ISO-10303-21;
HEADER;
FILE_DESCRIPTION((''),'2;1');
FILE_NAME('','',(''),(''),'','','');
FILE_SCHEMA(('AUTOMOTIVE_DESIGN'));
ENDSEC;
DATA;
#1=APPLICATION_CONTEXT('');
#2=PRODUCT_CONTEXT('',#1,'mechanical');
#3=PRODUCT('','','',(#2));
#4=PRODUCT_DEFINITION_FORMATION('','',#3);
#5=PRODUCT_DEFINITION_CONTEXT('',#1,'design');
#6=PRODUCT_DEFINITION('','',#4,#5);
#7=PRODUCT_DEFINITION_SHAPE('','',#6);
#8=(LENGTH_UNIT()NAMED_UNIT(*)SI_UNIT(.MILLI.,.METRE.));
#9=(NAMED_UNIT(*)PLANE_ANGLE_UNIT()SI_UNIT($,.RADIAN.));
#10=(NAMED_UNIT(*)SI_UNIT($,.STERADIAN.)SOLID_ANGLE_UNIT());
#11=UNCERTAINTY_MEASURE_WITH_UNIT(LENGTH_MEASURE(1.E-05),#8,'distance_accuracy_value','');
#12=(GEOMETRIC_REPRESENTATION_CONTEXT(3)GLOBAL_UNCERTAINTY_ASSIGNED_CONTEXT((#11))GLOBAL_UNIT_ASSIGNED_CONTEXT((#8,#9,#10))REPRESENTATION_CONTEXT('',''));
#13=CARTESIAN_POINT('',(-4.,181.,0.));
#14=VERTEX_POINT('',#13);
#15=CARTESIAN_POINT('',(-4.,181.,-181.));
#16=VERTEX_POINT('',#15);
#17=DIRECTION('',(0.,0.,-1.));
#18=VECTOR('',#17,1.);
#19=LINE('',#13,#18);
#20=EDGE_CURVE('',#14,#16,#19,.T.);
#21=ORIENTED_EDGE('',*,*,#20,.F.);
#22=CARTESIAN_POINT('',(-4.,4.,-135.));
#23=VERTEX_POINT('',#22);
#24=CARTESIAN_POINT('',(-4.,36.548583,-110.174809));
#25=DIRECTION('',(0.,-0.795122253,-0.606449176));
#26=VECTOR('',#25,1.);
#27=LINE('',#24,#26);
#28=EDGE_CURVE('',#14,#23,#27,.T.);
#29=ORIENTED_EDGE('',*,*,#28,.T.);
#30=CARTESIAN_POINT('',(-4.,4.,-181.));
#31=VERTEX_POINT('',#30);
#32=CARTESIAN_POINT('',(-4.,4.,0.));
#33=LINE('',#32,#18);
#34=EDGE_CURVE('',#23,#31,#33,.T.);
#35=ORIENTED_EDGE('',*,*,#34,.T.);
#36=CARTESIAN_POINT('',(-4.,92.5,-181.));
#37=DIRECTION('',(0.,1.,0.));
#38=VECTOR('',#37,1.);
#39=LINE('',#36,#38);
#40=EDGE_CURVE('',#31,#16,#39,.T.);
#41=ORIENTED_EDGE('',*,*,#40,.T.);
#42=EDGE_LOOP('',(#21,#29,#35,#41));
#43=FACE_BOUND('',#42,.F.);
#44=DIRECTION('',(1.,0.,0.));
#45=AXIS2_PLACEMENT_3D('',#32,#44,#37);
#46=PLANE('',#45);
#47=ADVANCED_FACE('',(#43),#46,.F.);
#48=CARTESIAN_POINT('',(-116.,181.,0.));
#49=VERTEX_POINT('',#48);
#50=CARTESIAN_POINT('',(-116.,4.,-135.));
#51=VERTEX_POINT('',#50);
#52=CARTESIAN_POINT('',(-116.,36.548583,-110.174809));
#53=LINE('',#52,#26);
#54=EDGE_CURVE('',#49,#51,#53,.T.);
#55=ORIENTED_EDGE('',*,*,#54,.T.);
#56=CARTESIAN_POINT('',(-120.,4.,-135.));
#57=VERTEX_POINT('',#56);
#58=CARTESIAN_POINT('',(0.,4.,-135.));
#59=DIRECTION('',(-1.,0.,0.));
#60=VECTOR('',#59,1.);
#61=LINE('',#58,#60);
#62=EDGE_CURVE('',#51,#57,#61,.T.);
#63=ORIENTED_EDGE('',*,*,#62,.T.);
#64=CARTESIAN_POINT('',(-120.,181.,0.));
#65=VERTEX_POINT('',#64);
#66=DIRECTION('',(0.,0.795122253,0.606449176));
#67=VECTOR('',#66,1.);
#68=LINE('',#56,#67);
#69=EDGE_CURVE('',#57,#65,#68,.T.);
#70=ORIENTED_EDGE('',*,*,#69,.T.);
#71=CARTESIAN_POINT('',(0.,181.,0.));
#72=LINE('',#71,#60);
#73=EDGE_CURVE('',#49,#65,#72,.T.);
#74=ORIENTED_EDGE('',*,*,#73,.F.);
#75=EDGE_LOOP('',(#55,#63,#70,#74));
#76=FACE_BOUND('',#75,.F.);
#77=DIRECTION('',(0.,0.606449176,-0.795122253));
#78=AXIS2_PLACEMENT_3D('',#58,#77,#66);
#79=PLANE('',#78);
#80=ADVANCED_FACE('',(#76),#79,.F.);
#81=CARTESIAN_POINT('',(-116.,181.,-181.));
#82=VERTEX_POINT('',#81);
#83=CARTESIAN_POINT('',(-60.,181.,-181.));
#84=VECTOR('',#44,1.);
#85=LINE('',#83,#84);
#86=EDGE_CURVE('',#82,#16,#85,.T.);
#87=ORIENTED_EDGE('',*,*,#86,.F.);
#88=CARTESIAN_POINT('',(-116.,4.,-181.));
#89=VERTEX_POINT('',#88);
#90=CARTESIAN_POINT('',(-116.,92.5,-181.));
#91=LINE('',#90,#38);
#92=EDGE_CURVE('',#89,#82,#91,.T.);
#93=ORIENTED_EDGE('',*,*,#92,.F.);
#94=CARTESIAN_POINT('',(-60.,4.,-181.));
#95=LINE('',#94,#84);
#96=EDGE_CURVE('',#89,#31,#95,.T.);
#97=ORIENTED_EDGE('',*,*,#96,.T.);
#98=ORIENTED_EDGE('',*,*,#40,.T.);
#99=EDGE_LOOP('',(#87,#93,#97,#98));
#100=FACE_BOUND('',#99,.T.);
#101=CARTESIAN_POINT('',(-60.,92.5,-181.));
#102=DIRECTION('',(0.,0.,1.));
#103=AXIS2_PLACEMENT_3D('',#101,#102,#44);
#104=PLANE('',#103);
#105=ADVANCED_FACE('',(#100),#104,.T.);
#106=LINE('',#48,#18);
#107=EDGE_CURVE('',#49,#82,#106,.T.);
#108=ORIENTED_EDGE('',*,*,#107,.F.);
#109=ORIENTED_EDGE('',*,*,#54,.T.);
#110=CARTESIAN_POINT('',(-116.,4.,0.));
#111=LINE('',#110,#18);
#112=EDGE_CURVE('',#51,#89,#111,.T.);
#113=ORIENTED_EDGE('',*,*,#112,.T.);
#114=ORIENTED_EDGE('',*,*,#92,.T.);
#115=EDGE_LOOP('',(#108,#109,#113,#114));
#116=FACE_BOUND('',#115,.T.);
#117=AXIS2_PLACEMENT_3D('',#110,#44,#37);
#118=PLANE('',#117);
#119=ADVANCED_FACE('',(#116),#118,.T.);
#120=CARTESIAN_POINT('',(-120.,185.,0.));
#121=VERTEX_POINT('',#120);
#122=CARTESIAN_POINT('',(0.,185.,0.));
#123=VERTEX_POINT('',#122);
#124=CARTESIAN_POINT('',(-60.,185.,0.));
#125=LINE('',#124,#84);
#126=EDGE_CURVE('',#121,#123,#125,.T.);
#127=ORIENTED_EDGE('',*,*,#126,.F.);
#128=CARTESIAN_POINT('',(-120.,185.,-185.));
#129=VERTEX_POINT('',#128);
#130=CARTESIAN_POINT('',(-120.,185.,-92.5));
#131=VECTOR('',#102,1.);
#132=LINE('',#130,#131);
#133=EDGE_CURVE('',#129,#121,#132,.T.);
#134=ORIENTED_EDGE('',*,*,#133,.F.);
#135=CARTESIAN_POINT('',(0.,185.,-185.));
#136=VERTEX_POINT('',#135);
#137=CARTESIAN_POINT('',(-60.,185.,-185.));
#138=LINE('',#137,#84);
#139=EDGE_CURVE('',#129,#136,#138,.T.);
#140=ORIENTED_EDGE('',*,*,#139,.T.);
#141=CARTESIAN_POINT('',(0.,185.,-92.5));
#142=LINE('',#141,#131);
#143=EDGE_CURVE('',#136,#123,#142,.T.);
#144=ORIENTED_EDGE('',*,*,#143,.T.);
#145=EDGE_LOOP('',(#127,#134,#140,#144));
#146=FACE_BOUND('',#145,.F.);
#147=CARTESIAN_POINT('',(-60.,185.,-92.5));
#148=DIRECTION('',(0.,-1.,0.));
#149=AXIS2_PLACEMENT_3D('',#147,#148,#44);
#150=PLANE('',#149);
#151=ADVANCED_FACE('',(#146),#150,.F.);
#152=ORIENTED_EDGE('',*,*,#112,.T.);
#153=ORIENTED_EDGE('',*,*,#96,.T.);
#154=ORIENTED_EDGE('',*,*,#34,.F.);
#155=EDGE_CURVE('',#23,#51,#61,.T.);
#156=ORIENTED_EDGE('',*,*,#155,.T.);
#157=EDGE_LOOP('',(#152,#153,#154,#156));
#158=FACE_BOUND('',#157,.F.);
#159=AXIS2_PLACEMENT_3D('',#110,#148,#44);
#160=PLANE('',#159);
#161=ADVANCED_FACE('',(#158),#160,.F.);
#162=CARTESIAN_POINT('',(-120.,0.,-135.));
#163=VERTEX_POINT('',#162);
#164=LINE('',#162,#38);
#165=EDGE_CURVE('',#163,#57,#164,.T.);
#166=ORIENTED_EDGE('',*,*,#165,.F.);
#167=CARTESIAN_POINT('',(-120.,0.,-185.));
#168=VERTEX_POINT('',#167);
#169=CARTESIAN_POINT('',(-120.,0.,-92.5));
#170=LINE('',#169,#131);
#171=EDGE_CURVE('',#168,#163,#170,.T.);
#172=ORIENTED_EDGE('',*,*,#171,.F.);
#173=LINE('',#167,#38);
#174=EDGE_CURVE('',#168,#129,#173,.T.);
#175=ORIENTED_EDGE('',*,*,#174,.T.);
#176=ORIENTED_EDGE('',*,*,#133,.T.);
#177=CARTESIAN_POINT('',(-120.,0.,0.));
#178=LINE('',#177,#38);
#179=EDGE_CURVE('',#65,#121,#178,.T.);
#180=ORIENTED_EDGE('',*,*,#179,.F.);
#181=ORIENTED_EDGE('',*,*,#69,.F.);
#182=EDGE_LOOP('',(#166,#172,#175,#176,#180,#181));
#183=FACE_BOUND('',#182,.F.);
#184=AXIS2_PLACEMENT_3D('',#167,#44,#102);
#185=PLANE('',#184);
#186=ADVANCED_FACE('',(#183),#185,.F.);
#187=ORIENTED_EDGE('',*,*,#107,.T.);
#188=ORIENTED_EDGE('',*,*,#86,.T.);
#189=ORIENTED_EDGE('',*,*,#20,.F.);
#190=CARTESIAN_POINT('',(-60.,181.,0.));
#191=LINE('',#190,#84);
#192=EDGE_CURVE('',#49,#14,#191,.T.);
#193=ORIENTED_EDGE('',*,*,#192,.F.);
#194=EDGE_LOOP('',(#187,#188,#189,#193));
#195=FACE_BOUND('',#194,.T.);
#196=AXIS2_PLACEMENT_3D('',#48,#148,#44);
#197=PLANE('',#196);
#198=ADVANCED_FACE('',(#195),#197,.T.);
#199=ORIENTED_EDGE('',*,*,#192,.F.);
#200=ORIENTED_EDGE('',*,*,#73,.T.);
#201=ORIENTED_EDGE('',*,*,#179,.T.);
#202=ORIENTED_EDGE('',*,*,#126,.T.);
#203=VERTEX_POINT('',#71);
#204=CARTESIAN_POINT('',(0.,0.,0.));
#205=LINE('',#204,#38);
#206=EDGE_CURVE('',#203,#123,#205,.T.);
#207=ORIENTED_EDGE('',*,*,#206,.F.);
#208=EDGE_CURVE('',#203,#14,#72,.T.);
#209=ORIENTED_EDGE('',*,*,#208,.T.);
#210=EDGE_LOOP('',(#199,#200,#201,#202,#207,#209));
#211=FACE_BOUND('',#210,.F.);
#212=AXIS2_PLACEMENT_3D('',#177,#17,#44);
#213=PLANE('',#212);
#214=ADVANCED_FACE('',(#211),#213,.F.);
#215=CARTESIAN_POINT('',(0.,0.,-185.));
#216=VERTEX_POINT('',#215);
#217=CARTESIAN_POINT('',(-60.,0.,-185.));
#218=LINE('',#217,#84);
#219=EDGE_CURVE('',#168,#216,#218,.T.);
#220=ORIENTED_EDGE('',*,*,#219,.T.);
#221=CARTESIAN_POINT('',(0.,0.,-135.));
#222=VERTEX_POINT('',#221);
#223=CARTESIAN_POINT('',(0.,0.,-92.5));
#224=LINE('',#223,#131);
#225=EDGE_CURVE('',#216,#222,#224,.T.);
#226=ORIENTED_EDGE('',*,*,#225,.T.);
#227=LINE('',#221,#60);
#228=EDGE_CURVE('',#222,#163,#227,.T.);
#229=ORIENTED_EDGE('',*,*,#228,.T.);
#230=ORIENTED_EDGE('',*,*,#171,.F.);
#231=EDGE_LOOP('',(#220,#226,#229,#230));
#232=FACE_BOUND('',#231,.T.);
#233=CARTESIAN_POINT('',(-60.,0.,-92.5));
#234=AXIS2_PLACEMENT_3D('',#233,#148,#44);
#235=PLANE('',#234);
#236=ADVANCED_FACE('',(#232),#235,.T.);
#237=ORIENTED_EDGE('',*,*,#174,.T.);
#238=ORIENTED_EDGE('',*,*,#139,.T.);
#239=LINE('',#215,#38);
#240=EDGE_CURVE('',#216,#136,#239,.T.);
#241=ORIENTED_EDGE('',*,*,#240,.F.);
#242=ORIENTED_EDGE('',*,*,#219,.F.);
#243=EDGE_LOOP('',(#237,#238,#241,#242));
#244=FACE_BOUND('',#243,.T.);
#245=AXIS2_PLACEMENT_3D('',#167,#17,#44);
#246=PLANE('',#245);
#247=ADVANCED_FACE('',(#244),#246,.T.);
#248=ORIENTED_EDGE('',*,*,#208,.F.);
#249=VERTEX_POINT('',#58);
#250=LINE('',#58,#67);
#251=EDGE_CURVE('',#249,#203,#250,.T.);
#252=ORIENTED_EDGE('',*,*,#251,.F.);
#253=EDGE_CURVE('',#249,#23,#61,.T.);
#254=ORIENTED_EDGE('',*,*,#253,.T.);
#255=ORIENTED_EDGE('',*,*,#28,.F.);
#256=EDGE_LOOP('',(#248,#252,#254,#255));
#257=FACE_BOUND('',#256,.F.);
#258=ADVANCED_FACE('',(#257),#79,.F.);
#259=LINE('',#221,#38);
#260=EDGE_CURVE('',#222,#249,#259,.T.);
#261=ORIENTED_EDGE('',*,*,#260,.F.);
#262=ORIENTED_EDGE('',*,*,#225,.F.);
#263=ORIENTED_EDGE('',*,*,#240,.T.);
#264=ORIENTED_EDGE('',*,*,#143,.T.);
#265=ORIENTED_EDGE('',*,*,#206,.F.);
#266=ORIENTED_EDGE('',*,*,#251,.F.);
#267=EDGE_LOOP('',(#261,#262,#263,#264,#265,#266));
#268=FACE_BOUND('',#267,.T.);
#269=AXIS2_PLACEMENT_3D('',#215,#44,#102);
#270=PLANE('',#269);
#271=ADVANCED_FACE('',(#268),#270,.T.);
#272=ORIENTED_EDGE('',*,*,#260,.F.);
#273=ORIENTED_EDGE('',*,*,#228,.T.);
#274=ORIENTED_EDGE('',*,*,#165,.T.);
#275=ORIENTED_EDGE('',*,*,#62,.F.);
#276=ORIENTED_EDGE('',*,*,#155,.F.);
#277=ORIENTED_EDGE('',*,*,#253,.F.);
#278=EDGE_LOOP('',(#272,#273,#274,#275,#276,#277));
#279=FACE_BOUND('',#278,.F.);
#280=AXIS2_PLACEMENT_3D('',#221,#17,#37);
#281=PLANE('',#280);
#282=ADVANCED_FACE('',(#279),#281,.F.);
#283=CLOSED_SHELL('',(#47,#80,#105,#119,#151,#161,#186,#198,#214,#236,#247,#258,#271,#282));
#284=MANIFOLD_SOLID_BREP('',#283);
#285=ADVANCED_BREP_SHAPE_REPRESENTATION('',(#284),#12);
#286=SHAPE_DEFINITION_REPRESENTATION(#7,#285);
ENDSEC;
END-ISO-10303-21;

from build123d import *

# Parameters (mm, degrees)
F0_W     = 120
F0_H     = 185
F1_DEPTH = 185
F3_DEPTH = 120
F4_W     = 112
F4_H     = 177
F5_DEPTH = 181


with BuildPart() as f1:
    # F0 (on Front) → F1 (new body)
    with BuildSketch(Plane.XZ):
        with Locations((-60, -92.5)):
            Rectangle(F0_W, F0_H)
    extrude(amount=-F1_DEPTH)

    # F2 (on face) → F3 (cut, through all)
    with BuildSketch(Plane.YZ):
        Polygon((4, -135), (181, 0), (0, 0), (0, -135), align=None)
    extrude(amount=-F3_DEPTH, mode=Mode.SUBTRACT)

    # F4 (on Top) → F5 (cut)
    with BuildSketch(Plane.XY):
        with Locations((-60, 92.5)):
            Rectangle(F4_W, F4_H)
    extrude(amount=-F5_DEPTH, mode=Mode.SUBTRACT)


solid = f1.part
